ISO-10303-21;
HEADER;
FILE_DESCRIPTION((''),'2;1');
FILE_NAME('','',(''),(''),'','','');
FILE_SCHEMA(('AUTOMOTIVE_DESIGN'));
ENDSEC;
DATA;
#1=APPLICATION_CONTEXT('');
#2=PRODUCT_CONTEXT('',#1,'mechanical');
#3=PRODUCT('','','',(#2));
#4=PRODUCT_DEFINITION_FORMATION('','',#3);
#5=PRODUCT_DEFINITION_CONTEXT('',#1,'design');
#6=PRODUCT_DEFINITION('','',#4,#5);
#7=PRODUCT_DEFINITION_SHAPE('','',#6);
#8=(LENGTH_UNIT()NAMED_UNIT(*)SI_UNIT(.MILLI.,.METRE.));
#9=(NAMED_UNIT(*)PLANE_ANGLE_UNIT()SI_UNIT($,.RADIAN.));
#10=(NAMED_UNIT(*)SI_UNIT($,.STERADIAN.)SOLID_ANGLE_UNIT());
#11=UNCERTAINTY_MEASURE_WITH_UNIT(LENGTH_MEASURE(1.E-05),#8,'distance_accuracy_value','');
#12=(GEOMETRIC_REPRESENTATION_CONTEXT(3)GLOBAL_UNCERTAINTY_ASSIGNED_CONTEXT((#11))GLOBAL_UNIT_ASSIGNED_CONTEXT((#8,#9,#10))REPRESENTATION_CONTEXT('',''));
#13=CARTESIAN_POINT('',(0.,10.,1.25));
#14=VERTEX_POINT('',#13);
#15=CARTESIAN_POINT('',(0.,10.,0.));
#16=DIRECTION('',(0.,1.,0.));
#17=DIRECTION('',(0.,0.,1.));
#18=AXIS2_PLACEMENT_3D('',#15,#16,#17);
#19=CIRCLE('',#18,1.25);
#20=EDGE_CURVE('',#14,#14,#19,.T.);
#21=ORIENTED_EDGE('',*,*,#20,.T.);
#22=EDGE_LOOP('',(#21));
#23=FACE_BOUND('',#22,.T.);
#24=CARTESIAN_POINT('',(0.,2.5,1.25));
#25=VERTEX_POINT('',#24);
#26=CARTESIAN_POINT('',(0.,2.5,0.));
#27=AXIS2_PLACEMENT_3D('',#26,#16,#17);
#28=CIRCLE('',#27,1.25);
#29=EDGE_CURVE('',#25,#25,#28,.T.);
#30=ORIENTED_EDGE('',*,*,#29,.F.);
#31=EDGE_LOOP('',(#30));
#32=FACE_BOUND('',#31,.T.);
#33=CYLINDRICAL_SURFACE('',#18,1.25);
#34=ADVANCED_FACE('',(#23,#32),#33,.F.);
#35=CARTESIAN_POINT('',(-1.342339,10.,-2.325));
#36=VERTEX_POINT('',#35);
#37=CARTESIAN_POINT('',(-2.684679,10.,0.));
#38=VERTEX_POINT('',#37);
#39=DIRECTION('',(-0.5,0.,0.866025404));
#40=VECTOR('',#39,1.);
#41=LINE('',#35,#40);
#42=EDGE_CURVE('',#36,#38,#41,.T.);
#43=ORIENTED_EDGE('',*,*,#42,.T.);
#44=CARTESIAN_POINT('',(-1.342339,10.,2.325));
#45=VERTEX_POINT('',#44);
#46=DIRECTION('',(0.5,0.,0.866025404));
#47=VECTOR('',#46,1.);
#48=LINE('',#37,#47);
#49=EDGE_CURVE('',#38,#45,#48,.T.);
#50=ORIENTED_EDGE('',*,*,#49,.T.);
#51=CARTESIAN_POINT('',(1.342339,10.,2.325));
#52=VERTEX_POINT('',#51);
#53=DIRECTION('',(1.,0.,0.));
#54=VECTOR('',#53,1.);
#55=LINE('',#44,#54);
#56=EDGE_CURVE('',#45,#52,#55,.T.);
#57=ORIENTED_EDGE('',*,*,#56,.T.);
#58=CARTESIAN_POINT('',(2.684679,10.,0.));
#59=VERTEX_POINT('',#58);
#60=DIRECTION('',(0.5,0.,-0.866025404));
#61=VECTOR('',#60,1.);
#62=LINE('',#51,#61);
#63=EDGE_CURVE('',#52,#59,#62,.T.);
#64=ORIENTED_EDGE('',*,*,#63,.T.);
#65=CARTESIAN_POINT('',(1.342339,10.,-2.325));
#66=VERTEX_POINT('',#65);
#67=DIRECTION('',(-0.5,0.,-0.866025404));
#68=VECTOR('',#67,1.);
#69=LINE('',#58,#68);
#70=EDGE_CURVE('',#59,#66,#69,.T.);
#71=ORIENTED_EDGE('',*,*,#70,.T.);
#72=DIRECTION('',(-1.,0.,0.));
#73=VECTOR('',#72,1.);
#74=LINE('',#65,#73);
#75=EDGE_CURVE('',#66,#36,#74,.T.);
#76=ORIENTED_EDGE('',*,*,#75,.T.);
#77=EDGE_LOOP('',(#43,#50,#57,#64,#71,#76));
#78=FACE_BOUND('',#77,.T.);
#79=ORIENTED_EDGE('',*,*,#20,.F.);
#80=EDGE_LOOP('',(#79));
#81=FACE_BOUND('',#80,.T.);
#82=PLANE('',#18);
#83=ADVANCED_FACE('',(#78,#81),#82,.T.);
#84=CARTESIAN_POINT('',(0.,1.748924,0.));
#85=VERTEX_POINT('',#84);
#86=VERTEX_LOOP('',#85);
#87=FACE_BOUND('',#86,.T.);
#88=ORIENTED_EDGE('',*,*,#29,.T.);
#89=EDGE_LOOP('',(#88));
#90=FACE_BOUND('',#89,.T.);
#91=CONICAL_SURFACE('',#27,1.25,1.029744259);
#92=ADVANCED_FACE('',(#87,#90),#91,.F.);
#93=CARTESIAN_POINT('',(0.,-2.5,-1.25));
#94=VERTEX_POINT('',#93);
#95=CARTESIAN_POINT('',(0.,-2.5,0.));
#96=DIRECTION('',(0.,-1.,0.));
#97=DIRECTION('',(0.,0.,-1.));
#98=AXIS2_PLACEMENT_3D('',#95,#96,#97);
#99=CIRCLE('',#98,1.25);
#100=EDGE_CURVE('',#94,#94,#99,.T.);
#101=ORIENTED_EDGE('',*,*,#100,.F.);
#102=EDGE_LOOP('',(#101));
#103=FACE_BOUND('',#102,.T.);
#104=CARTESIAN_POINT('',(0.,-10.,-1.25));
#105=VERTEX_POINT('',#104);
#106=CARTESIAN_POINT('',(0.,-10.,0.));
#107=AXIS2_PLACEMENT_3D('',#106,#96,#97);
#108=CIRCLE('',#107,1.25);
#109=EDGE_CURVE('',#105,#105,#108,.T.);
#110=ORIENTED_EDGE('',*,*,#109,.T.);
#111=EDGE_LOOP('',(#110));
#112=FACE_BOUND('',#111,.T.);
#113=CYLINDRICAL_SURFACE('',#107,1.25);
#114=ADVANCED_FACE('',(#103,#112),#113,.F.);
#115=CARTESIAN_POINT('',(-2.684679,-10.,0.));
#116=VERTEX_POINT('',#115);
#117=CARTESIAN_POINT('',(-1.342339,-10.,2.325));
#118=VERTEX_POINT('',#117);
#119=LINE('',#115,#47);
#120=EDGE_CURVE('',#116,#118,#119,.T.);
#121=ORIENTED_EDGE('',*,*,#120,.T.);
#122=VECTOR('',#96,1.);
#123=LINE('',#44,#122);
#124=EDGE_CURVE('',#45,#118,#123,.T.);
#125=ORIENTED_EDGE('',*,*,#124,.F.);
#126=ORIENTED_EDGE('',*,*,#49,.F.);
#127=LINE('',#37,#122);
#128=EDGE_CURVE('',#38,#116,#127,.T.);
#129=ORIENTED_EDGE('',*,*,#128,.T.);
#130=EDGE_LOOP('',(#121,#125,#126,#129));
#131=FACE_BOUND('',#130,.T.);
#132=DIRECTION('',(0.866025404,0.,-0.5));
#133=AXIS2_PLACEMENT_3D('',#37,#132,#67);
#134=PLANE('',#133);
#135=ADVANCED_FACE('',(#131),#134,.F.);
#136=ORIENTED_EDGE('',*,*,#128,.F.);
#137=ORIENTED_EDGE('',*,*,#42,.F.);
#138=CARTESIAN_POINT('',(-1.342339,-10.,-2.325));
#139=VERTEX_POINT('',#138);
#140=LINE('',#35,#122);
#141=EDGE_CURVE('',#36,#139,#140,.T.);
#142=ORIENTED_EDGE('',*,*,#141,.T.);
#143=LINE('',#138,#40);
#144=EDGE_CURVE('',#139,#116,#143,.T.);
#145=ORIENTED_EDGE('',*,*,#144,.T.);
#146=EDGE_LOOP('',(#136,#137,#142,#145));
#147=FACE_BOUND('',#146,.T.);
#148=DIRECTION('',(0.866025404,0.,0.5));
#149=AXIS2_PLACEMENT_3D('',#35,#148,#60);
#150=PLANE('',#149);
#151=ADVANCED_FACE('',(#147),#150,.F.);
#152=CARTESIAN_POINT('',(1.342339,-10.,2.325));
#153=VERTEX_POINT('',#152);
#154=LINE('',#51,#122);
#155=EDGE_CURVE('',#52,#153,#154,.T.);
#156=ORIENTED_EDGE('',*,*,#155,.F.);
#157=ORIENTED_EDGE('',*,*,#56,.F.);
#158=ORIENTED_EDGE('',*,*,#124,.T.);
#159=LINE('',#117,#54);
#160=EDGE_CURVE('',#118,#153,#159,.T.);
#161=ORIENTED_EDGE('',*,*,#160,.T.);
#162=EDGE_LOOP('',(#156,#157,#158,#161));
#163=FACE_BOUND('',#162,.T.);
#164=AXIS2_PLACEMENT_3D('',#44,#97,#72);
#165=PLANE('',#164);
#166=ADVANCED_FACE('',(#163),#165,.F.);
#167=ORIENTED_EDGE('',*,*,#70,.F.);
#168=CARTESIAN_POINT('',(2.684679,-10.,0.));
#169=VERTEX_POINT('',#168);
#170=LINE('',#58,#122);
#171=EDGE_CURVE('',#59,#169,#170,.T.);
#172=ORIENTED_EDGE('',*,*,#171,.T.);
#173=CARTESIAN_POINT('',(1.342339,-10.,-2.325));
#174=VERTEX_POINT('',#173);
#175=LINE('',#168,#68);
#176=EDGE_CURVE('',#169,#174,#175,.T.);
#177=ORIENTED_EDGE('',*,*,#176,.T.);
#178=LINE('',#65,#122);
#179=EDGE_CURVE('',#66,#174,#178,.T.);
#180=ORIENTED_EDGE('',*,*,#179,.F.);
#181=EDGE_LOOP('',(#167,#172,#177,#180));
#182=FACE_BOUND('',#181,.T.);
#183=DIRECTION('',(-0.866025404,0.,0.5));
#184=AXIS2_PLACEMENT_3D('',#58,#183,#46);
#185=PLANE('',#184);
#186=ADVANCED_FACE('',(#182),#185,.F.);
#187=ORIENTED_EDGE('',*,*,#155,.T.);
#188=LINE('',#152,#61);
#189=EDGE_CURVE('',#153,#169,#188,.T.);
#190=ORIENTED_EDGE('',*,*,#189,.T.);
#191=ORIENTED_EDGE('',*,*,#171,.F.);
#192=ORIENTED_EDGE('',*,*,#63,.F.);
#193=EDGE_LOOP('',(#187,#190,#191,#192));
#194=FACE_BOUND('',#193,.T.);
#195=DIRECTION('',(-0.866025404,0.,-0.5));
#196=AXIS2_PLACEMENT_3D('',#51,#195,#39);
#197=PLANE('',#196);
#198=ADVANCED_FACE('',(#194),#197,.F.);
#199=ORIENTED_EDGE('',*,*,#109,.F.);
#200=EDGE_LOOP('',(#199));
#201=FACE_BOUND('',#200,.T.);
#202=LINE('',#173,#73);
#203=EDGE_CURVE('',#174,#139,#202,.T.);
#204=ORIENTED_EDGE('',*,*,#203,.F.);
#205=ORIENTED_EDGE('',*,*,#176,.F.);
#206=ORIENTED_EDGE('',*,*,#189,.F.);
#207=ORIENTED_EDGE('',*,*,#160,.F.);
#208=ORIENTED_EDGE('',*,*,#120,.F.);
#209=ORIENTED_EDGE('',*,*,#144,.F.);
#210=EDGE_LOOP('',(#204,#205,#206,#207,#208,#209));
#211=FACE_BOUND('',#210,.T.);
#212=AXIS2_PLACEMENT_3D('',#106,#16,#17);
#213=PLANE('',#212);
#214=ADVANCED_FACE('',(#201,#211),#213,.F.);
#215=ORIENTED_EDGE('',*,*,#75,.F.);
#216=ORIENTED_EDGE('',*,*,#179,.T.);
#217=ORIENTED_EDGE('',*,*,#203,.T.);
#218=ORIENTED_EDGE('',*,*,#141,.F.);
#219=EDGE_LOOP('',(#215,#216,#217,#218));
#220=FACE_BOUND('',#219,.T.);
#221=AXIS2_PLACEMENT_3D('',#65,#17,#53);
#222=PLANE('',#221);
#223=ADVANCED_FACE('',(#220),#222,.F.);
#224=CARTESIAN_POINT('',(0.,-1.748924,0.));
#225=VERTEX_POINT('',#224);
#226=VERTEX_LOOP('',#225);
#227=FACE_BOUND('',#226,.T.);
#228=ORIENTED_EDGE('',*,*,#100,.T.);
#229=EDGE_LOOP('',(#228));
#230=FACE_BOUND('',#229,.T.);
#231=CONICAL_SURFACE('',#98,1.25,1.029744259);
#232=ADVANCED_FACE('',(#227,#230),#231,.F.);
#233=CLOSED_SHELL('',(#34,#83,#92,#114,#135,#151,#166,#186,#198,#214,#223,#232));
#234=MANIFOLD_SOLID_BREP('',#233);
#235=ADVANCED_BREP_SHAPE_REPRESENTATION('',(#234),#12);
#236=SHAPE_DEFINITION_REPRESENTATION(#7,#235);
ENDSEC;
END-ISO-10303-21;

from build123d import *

# Parameters (mm, degrees)
EXTRUDE_1_DEPTH = 10


with BuildPart() as part:
    # 草图1 → 凸台-拉伸1 (new, symmetric)
    with BuildSketch(Plane(origin=(0, 0, 0), x_dir=(1, 0, 0), z_dir=(0, 1, 0))):
        Polygon((2.684678752, 0), (1.342339376, 2.325), (-1.342339376, 2.325), (-2.684678752, 0), (-1.342339376, -2.325), (1.342339376, -2.325), align=None)
    extrude(amount=EXTRUDE_1_DEPTH, both=True)

    # 草图2 → M3 螺纹孔1 (revolve, cut)
    with BuildSketch(Plane(origin=(0, -10, 0), x_dir=(0, 0, -1), z_dir=(1, 0, 0))):
        Polygon((0, 0), (0, 8.251075774), (1.25, 7.5), (1.25, 0), align=None)
    hole_wizard_m3_1 = revolve(axis=Axis((0, -16.35, 0), (0, 1, 0)), mode=Mode.SUBTRACT)

    # 镜向1: M3 螺纹孔1 across plane
    add(hole_wizard_m3_1.mirror(Plane.ZX), mode=Mode.SUBTRACT)


solid = part.part
